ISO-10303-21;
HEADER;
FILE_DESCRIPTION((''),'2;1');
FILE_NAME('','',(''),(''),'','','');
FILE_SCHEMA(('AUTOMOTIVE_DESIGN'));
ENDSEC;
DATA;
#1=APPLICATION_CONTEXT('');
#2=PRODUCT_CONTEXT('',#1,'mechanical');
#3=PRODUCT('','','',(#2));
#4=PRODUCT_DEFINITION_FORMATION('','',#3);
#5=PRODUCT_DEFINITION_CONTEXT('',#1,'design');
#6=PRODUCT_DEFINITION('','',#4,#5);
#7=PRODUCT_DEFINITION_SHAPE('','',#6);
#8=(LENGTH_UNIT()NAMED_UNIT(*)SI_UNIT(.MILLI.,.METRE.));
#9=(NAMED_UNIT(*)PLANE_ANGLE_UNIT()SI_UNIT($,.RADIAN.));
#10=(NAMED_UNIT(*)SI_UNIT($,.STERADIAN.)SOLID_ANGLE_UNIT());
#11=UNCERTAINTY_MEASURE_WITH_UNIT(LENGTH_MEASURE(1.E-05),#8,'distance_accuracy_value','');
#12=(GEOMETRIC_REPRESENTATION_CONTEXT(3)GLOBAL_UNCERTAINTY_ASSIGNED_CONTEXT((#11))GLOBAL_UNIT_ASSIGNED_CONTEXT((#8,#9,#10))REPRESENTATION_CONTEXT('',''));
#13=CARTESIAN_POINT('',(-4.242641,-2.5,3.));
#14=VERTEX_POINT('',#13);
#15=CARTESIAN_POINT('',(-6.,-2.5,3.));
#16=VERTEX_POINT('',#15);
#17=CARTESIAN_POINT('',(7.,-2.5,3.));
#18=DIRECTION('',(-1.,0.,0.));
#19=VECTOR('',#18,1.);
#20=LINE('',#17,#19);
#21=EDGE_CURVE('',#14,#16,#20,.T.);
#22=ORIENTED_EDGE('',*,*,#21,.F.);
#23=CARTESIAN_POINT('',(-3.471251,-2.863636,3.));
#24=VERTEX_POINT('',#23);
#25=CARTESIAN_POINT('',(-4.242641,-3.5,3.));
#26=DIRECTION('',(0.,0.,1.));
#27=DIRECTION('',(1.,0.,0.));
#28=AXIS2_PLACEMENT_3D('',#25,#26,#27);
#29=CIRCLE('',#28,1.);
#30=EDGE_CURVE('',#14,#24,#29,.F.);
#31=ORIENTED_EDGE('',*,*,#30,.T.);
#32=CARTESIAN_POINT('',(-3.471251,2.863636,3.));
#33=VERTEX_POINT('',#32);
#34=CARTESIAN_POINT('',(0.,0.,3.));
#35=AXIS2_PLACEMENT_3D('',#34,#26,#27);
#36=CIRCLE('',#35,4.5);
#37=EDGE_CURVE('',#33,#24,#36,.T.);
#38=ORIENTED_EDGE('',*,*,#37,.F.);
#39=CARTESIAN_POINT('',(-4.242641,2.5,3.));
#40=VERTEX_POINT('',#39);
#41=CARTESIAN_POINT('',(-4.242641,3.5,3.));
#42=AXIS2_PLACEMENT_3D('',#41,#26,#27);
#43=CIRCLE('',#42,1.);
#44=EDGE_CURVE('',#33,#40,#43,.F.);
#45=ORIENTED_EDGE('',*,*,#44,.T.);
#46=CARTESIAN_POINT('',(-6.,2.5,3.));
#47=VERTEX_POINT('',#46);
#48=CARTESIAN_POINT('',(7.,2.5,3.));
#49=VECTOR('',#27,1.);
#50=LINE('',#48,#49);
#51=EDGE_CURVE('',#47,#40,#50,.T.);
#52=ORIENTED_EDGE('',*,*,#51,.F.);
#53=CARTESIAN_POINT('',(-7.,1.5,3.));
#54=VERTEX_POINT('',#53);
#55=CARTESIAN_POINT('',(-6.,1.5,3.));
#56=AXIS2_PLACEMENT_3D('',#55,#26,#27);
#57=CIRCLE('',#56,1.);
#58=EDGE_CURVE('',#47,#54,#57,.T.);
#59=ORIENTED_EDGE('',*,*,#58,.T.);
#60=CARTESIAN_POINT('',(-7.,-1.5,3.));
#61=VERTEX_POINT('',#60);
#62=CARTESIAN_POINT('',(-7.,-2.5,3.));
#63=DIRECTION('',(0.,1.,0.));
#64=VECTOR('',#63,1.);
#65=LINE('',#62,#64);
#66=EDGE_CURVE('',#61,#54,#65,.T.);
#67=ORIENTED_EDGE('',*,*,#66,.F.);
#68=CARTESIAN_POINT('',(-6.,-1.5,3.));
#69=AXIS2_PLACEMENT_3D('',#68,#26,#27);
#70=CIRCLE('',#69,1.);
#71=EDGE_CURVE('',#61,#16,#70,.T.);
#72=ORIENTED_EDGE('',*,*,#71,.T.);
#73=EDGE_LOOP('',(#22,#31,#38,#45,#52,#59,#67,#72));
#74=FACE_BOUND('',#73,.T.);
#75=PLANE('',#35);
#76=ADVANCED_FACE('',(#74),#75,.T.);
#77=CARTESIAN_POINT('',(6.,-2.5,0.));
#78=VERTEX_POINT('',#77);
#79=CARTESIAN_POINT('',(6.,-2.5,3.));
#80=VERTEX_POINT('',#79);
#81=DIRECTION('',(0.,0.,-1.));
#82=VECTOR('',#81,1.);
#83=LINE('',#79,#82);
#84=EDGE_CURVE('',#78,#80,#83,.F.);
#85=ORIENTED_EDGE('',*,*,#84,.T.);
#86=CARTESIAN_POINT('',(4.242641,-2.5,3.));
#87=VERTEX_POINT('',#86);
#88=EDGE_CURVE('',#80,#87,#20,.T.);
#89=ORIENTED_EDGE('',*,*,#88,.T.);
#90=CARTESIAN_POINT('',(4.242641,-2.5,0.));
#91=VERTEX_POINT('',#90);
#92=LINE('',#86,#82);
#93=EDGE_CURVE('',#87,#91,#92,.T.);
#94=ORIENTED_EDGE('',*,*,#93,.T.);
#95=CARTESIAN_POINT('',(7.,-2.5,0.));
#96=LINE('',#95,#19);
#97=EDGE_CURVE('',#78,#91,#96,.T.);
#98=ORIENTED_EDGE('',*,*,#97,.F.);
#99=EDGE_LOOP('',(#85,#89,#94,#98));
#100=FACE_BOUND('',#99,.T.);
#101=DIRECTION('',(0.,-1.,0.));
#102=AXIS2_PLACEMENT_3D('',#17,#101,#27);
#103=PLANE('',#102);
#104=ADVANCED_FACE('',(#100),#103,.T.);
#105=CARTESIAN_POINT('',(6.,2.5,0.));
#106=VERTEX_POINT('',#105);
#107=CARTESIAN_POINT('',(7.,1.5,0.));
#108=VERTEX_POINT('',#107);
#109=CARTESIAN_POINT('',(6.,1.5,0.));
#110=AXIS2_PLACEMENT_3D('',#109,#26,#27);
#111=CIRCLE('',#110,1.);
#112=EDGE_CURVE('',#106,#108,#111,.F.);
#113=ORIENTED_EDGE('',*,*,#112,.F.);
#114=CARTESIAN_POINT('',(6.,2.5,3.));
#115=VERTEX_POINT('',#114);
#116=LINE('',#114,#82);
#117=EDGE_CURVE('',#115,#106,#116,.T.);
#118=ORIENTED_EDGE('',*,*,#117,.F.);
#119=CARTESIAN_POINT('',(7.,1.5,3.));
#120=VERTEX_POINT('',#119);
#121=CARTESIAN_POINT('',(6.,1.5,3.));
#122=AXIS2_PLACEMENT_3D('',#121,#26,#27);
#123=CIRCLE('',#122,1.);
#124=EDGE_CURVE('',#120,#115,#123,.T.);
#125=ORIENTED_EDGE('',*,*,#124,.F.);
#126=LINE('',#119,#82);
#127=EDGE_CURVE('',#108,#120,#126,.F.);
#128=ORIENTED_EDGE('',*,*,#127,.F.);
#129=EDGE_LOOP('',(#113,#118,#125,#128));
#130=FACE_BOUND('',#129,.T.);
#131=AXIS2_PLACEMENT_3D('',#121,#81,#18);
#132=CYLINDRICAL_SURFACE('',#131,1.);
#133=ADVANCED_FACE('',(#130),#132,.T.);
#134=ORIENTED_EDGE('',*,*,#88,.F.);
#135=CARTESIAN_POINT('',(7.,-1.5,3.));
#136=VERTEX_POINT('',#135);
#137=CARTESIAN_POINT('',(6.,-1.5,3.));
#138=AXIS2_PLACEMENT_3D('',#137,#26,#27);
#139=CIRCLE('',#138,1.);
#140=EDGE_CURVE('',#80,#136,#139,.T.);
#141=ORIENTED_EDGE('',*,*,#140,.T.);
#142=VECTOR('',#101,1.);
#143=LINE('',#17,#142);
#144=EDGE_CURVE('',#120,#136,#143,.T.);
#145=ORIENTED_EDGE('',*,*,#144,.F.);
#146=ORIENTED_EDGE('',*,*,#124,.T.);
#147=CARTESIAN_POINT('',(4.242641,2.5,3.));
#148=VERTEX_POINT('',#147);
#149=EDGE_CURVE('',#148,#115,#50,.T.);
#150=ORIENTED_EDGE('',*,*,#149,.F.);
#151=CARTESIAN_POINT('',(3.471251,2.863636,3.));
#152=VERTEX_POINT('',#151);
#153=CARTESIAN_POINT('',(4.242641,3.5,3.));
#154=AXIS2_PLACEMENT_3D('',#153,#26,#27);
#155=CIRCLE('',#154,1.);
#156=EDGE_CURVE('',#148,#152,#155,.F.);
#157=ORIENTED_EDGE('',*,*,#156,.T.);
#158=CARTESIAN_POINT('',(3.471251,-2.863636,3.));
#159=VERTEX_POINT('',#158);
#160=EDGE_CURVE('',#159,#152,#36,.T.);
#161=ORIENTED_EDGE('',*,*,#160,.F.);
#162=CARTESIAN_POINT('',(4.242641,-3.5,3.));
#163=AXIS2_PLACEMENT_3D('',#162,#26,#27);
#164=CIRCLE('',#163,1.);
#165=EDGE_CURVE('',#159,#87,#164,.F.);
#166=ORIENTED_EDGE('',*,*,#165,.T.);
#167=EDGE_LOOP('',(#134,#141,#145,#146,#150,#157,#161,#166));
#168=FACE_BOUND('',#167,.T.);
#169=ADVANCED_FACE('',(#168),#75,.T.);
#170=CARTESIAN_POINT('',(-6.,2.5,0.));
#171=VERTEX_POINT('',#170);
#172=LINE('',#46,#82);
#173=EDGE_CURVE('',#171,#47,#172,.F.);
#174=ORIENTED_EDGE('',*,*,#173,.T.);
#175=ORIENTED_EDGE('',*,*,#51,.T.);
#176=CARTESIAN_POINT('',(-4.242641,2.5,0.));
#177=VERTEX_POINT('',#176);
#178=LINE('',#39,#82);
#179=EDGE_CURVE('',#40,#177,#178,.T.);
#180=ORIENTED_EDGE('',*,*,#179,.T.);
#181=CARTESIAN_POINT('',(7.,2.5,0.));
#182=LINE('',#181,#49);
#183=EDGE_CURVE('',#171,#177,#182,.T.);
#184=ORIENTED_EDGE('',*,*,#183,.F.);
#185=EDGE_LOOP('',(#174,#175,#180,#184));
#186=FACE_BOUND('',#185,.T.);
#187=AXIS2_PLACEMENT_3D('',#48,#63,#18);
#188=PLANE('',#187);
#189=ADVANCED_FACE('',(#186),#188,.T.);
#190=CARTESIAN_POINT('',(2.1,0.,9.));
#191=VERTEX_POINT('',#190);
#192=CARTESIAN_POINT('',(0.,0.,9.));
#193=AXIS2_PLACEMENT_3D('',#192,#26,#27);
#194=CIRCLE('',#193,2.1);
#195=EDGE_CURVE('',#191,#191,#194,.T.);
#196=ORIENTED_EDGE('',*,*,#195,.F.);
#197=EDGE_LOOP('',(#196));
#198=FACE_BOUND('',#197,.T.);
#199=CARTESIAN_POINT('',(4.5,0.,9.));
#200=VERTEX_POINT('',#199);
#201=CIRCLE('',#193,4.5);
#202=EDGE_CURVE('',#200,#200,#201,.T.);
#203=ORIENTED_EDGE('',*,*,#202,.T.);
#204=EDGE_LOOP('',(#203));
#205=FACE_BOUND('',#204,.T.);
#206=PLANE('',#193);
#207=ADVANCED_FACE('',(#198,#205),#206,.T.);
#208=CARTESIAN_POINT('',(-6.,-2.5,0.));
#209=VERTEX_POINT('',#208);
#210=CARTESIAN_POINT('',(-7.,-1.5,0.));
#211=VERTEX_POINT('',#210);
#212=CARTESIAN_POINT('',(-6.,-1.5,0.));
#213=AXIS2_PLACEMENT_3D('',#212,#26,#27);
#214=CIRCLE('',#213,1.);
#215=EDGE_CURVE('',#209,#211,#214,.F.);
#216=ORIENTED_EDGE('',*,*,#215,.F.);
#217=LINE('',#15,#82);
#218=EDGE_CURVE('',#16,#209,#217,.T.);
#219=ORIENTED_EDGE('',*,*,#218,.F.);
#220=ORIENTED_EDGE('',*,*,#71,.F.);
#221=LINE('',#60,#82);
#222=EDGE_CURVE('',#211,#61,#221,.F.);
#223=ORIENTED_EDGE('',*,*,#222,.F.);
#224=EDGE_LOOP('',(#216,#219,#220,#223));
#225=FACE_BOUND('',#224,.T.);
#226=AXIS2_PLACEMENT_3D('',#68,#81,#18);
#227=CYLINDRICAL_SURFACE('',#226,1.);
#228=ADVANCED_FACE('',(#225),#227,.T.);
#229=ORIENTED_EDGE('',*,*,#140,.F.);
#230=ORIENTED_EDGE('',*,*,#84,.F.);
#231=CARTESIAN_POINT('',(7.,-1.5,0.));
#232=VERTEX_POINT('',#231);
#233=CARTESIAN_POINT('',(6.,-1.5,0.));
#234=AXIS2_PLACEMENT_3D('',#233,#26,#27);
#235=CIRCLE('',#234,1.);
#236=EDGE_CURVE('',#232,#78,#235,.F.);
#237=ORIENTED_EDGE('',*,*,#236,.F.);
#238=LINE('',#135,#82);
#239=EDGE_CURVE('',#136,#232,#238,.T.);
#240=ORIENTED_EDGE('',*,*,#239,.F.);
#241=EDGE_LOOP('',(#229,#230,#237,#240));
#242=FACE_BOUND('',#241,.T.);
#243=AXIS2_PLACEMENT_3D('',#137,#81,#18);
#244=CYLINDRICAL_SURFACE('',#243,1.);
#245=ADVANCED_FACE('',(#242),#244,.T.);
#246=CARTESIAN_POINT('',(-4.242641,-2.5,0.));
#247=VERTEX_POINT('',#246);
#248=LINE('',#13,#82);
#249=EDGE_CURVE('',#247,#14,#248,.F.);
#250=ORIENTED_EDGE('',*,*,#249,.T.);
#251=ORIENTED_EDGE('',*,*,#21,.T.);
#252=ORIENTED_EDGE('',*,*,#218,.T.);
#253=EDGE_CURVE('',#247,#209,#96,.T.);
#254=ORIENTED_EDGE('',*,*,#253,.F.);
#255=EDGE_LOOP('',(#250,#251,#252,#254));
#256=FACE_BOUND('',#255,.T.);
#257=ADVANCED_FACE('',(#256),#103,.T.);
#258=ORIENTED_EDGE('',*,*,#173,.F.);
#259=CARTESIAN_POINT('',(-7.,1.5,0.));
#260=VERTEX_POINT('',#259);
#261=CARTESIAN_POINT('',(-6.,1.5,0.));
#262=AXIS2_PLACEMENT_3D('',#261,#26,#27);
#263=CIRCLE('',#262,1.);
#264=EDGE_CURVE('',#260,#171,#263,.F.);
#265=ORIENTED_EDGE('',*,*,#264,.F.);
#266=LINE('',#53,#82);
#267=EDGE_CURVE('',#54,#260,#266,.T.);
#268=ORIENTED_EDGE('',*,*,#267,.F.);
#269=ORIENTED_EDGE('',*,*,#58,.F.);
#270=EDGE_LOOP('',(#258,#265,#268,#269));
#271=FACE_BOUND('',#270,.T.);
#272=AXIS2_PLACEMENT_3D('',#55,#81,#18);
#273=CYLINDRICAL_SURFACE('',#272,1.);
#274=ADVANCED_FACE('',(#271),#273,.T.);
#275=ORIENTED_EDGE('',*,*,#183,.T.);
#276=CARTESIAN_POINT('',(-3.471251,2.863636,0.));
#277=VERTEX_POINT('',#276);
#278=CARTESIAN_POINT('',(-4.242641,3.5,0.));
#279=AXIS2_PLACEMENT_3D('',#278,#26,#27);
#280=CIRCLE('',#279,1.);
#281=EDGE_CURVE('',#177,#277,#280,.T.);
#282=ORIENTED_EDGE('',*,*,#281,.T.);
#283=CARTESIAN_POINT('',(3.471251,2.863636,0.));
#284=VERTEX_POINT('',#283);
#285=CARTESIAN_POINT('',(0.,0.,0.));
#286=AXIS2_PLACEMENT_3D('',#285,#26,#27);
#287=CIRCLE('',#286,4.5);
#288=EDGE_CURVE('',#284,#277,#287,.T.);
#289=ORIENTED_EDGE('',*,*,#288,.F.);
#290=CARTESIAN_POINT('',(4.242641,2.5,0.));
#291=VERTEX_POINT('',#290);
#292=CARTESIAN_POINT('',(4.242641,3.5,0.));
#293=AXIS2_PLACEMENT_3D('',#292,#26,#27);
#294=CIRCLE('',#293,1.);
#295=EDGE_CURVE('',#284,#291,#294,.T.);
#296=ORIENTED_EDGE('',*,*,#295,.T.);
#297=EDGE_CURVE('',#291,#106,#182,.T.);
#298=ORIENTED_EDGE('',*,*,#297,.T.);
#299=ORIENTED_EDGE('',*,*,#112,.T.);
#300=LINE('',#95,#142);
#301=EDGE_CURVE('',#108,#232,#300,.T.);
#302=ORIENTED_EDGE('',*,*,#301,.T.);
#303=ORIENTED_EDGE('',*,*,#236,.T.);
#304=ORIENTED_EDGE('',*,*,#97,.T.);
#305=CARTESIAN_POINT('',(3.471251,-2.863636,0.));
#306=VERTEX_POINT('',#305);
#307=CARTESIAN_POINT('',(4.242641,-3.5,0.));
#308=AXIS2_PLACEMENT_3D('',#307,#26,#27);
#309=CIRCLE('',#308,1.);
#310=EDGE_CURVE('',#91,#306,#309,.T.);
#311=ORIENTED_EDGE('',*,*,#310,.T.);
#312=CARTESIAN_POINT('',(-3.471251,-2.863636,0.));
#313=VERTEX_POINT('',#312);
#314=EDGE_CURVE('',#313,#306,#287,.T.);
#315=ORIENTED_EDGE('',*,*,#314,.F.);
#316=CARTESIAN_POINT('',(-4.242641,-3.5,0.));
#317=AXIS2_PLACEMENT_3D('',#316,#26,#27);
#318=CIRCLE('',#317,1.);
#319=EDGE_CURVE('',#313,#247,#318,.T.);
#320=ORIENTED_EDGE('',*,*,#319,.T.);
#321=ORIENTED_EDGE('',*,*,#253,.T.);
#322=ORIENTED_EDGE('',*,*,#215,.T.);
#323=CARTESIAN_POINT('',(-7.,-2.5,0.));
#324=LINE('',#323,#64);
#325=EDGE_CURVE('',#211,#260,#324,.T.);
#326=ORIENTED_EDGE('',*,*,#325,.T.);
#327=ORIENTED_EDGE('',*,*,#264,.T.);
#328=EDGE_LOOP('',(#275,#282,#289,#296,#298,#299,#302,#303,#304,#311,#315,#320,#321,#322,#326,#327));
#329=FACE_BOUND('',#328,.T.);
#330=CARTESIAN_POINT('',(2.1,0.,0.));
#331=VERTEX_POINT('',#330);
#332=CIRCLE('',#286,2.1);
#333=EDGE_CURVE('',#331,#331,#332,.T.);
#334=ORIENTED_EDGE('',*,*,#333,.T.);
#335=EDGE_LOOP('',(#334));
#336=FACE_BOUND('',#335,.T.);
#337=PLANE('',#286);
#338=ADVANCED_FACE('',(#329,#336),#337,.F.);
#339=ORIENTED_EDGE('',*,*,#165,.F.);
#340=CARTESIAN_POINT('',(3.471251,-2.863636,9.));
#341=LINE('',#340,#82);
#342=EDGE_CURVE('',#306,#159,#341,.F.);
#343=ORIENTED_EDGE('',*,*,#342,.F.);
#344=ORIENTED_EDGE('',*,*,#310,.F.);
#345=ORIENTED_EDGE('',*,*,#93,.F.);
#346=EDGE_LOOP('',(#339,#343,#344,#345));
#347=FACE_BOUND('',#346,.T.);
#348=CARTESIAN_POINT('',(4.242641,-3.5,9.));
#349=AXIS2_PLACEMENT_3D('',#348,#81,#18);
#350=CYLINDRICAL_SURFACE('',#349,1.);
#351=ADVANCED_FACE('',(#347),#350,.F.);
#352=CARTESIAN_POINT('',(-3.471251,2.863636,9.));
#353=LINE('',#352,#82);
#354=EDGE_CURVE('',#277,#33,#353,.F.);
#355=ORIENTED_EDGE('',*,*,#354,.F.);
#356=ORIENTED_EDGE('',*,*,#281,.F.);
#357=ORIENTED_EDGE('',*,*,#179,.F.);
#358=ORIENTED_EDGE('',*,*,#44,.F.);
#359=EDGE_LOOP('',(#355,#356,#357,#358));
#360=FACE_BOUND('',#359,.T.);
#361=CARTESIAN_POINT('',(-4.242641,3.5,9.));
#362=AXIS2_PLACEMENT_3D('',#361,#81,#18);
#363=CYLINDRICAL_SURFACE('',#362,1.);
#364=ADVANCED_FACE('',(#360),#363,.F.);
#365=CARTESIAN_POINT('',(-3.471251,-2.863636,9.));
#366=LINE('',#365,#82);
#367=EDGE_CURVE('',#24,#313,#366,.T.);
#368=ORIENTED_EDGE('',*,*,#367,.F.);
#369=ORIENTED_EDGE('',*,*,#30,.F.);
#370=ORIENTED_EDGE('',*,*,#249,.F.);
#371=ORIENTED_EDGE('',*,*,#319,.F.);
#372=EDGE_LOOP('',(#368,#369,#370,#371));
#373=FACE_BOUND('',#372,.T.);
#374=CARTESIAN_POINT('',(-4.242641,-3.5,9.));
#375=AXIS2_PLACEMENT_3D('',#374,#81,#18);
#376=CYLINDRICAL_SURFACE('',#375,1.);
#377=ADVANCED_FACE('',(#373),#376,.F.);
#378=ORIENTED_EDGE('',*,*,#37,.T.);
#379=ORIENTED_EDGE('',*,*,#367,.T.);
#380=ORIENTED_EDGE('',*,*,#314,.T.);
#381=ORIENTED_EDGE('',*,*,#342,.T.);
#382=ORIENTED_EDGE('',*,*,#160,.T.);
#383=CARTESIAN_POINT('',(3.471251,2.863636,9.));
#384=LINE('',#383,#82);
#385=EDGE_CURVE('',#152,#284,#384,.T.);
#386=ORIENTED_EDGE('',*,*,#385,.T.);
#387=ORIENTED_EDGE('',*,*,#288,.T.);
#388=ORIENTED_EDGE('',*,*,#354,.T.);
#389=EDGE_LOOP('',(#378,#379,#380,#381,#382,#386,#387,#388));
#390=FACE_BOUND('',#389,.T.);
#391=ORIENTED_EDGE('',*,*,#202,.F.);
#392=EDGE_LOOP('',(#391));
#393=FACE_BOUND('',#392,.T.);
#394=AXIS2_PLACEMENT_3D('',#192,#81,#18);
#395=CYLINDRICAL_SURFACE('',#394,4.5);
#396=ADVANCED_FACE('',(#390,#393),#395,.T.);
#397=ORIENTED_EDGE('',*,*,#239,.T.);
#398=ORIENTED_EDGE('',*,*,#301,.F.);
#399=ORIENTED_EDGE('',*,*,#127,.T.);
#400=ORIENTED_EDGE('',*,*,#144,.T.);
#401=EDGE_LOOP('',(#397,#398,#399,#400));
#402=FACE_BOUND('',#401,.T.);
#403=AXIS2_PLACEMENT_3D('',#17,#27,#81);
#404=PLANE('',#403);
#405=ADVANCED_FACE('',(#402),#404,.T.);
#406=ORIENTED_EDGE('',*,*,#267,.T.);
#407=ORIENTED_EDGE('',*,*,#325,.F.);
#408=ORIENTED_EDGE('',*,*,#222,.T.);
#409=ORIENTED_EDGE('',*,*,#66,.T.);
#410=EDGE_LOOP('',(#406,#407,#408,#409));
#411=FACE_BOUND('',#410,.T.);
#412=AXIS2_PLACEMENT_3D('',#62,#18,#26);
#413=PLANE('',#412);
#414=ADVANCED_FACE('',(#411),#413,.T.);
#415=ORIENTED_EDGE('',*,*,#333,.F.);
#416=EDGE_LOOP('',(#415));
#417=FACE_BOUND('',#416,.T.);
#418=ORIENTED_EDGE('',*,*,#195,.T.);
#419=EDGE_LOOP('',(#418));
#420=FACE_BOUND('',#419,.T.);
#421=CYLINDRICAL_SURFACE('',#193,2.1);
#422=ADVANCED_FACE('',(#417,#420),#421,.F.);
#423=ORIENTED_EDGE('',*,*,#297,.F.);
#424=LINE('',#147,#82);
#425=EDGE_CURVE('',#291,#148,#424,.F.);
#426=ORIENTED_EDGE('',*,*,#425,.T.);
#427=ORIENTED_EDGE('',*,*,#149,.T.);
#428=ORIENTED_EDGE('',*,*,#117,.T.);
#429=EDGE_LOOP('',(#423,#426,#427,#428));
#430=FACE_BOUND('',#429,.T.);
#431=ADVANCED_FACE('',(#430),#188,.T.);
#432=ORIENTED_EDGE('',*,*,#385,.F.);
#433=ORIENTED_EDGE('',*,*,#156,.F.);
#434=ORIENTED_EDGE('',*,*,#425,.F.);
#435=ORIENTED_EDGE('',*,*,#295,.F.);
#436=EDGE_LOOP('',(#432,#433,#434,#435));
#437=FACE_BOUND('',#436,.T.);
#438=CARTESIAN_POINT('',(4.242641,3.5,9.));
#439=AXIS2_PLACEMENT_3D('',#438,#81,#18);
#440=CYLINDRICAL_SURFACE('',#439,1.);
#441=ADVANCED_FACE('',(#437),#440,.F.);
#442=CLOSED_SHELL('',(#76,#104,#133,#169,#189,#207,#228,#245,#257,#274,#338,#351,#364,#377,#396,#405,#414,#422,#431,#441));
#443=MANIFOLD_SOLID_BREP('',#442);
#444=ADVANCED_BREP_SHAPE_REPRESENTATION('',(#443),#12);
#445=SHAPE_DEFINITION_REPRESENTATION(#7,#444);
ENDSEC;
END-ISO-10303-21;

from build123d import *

# Parameters (mm, degrees)
SKETCH_1_R         = 4.5
EXTRUDE_1_DEPTH    = 9
SKETCH_2_W         = 14
SKETCH_2_H         = 5
EXTRUDE_2_DEPTH    = 3
HOLE_WIZARD_M5_1_D = 4.2
FILLET_1_R         = 1


with BuildPart() as part:
    # 草图1 → 凸台-拉伸1 (new body)
    with BuildSketch(Plane.XY):
        Circle(SKETCH_1_R)
    extrude(amount=EXTRUDE_1_DEPTH)

    # 草图2 → 凸台-拉伸2 (add)
    with BuildSketch(Plane(origin=(0, 0, 0), x_dir=(-1, 0, 0), z_dir=(0, 0, -1))):
        Rectangle(SKETCH_2_W, SKETCH_2_H)
    extrude(amount=-EXTRUDE_2_DEPTH)

    # M5 螺纹孔1 (through all)
    with Locations(Plane.XY.offset(9)):
        with Locations((0, 0)):
            Hole(HOLE_WIZARD_M5_1_D / 2)

    # 圆角1
    fillet_1_edges = [part.edges().sort_by_distance(p)[0] for p in [
        (-7, -2.5, 1.5),
        (7, 2.5, 1.5),
        (-7, 2.5, 1.5),
        (-3.741657387, -2.5, 1.5),
        (3.741657387, -2.5, 1.5),
        (7, -2.5, 1.5),
        (3.741657387, 2.5, 1.5),
        (-3.741657387, 2.5, 1.5),
    ]]
    fillet(fillet_1_edges, radius=FILLET_1_R)


solid = part.part
